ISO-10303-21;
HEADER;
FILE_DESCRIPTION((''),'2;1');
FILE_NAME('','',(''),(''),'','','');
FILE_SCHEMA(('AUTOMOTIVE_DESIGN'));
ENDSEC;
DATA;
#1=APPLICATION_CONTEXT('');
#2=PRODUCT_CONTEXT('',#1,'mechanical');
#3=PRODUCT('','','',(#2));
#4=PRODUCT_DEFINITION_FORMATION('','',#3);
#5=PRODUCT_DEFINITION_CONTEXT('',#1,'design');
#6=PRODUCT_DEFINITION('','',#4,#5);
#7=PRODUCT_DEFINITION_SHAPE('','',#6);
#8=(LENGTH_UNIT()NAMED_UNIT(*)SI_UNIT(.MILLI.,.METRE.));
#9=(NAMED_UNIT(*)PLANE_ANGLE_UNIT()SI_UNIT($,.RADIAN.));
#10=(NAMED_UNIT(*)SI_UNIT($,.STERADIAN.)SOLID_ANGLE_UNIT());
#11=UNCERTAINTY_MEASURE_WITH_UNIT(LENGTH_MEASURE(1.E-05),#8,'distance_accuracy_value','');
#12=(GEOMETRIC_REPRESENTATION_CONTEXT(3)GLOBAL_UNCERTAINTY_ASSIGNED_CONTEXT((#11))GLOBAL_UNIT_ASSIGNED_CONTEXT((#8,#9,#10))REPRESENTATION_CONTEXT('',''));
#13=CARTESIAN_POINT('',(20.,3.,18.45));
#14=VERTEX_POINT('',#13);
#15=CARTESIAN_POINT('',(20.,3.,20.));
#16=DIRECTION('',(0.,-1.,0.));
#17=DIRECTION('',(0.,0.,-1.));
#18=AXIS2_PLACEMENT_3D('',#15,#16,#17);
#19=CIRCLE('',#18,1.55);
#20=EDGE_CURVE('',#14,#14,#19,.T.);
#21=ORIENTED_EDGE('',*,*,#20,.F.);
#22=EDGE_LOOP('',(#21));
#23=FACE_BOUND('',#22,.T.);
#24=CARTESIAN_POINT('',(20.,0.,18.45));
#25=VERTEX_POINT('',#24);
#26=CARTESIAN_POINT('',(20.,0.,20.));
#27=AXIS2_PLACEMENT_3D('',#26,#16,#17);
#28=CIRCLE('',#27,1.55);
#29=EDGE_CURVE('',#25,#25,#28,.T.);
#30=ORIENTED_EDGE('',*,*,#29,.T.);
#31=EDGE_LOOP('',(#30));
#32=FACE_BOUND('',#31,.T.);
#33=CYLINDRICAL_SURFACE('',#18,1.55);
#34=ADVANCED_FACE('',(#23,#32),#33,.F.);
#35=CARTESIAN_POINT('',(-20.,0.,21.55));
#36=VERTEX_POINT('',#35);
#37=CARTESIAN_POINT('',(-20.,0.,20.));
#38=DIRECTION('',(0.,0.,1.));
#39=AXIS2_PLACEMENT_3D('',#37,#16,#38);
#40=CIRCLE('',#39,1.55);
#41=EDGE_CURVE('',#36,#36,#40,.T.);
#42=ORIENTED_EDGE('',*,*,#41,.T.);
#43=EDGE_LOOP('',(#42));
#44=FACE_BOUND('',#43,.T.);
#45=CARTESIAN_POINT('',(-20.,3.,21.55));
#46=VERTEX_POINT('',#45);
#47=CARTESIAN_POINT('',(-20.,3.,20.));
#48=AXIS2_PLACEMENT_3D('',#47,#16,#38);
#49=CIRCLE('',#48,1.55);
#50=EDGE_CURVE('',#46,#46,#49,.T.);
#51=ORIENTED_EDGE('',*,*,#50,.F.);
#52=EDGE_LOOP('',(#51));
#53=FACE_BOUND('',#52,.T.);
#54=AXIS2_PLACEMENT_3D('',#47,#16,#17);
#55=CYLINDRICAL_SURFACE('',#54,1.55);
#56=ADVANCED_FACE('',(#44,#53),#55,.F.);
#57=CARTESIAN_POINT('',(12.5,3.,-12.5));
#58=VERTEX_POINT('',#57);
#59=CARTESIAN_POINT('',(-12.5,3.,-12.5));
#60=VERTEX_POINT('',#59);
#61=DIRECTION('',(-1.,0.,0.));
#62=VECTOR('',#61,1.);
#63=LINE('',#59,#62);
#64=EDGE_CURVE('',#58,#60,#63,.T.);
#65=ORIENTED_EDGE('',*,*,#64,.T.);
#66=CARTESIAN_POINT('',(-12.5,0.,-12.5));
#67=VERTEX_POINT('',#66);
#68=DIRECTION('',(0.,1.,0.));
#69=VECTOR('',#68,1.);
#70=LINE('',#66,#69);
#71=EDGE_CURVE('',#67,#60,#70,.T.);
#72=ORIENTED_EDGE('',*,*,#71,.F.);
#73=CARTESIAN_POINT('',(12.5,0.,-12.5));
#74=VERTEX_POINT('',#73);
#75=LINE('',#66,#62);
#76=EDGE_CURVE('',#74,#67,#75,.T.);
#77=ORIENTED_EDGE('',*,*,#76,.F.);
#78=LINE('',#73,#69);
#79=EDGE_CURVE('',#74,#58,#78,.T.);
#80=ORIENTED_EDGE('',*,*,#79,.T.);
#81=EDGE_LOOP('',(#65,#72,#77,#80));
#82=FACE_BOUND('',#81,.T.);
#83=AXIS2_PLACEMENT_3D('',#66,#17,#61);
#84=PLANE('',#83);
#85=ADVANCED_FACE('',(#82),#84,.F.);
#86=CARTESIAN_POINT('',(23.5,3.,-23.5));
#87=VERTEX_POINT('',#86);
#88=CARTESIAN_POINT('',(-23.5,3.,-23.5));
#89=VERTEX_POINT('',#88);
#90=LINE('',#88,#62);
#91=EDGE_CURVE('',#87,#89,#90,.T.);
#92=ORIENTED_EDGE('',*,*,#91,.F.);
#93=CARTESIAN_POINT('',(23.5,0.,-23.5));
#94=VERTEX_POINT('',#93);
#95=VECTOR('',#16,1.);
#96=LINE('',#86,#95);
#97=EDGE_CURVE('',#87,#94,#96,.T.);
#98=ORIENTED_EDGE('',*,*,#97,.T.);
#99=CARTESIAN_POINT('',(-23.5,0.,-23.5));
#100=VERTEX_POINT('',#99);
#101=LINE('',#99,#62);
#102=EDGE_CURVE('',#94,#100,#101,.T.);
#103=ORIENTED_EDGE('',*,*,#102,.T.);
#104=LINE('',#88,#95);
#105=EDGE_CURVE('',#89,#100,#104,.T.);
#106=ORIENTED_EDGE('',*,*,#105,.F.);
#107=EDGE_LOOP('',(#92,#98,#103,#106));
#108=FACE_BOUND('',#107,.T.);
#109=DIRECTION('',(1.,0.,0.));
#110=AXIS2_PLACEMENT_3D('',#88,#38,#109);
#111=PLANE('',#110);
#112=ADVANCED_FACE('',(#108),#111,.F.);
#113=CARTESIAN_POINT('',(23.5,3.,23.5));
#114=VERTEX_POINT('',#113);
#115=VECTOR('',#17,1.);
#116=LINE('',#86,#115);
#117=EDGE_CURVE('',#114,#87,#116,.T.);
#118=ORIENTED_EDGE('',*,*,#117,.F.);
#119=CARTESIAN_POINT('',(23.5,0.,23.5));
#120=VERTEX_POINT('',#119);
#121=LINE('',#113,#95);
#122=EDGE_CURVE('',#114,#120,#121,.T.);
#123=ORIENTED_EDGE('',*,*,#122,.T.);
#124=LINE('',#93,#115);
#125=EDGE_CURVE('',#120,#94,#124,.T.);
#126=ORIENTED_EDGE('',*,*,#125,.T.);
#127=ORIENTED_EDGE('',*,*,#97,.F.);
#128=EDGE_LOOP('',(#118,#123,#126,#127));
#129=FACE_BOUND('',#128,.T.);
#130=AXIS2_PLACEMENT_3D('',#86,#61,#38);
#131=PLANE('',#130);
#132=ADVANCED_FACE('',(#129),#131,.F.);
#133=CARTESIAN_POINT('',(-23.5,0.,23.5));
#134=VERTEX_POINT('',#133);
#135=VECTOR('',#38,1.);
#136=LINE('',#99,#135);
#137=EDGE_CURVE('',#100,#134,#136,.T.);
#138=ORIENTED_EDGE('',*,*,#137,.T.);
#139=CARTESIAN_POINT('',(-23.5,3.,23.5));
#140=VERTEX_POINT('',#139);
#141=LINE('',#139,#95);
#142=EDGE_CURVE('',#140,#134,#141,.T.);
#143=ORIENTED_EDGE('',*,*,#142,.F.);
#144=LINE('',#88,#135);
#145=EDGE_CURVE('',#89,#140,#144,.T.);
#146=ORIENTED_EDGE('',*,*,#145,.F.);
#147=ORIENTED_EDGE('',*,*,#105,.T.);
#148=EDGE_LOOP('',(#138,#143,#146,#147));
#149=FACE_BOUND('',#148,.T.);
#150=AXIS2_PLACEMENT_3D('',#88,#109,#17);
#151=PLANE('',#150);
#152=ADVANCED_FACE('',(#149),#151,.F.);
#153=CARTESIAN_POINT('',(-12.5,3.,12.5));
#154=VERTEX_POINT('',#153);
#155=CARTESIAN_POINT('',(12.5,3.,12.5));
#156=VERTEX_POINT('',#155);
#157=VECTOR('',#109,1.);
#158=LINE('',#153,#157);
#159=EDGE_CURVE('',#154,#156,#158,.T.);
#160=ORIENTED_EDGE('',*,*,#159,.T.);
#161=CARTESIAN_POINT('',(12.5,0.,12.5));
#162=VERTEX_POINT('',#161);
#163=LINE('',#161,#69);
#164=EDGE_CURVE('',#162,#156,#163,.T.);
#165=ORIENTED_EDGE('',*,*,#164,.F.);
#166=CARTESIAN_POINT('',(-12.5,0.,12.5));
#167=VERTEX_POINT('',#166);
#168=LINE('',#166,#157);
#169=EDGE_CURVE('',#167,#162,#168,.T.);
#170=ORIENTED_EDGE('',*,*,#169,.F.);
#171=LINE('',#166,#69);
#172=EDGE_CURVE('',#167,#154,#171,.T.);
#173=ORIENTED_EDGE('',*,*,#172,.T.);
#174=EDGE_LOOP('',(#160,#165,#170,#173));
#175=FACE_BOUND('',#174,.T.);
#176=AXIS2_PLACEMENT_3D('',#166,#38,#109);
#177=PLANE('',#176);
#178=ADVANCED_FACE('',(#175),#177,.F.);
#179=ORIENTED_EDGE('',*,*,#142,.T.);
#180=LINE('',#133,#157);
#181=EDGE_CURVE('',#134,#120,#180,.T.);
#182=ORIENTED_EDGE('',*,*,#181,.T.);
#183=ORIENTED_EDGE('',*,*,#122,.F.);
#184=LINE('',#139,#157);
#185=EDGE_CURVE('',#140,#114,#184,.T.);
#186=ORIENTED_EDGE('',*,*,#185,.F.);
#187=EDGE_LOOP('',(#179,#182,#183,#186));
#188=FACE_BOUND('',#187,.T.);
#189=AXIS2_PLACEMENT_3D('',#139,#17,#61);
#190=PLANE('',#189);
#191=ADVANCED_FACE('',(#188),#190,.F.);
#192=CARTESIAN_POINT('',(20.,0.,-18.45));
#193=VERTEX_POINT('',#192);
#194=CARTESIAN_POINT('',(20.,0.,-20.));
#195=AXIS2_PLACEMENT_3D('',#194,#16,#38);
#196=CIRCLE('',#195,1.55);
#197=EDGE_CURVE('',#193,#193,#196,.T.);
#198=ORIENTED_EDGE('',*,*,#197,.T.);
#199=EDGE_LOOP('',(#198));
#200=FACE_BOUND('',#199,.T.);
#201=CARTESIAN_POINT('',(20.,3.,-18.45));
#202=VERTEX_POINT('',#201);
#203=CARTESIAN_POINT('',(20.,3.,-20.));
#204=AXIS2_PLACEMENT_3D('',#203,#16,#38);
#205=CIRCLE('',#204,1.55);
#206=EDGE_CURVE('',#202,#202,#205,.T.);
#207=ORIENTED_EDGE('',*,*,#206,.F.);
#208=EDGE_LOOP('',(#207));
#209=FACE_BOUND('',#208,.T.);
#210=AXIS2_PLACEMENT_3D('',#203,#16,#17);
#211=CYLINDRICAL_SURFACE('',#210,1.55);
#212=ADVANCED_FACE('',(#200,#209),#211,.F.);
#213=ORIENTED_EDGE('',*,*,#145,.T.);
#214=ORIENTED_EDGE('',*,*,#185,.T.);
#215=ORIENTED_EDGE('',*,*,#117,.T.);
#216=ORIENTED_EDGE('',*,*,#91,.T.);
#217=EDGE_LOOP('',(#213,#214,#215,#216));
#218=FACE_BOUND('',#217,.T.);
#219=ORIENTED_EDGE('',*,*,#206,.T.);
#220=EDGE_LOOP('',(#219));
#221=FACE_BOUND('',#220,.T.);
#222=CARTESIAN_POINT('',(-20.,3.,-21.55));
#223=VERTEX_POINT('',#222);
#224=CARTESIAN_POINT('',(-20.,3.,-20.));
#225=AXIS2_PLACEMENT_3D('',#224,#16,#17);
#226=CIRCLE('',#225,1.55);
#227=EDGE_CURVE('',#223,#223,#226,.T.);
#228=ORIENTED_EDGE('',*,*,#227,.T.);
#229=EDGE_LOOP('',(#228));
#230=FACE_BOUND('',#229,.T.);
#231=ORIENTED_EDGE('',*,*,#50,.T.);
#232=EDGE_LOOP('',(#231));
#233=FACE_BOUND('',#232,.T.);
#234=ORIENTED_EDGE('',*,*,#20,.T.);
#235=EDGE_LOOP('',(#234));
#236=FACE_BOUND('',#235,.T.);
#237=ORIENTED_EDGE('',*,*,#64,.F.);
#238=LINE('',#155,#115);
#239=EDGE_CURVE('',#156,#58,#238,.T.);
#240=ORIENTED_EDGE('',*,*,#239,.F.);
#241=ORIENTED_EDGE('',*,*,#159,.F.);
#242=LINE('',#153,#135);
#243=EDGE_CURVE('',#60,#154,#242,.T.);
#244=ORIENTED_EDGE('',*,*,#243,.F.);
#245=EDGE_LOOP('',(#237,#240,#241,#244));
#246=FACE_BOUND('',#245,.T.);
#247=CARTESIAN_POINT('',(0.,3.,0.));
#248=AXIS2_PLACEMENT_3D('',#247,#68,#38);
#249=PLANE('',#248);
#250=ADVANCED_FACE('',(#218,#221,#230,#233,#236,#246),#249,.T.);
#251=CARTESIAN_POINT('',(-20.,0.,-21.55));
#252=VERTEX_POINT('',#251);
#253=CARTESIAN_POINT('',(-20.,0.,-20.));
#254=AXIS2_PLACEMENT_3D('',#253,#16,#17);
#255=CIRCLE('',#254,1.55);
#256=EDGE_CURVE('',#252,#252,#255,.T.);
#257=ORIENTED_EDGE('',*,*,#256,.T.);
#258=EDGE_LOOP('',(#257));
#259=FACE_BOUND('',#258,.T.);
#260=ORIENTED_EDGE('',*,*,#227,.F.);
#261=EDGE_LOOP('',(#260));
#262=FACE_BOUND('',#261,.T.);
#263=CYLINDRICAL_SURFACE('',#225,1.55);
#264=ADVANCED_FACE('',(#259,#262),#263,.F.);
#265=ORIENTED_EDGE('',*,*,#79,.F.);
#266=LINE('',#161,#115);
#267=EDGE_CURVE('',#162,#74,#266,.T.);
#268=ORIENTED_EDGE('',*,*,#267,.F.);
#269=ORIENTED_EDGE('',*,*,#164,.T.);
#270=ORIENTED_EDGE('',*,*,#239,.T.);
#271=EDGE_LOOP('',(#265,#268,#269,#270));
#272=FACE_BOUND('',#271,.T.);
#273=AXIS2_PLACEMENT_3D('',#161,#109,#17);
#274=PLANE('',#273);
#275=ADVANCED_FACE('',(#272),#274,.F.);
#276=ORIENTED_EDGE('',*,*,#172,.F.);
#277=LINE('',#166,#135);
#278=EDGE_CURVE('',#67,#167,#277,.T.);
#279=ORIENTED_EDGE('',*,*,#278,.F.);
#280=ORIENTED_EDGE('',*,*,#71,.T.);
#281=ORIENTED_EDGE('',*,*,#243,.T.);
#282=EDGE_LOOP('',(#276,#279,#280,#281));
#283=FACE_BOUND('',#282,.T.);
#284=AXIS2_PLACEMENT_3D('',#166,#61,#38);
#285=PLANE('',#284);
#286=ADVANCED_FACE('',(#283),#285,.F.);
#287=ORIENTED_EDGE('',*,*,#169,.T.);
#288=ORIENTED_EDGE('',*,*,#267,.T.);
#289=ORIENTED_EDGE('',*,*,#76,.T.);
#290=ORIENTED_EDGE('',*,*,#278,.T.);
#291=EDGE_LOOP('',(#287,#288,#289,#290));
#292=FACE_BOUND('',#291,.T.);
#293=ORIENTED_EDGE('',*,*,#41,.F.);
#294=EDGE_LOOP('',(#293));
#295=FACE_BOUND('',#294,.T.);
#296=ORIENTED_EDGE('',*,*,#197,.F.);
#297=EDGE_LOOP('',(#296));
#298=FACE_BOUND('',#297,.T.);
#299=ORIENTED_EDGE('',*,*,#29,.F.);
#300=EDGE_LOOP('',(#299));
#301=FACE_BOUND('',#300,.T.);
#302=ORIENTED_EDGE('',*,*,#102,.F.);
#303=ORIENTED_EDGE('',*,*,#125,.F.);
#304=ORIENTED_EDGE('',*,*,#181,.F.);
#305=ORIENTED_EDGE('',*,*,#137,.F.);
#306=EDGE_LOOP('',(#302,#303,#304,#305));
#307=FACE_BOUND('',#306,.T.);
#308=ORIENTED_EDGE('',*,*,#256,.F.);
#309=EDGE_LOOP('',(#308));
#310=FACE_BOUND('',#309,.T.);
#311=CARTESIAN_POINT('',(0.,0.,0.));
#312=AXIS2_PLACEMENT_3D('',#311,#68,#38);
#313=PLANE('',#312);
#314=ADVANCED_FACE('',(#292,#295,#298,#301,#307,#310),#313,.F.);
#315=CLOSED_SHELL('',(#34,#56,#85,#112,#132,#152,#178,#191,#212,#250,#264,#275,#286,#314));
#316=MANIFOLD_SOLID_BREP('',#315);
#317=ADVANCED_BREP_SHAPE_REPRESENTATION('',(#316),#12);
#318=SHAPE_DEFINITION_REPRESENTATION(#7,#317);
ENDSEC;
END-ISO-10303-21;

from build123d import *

# Parameters (mm, degrees)
SKETCH_1_W          = 47
SKETCH_1_H          = 47
EXTRUDE_1_DEPTH     = 3
SKETCH_2_W          = 25
SKETCH_2_H          = 25
CUT_EXTRUDE_1_DEPTH = 3
SKETCH_3_R          = 1.55
CUT_EXTRUDE_2_DEPTH = 3


with BuildPart() as part:
    # 草图1 → 凸台-拉伸1 (new body)
    with BuildSketch(Plane(origin=(0, 0, 0), x_dir=(1, 0, 0), z_dir=(0, 1, 0))):
        Rectangle(SKETCH_1_W, SKETCH_1_H)
    extrude(amount=EXTRUDE_1_DEPTH)

    # 草图2 → 切除-拉伸1 (cut)
    with BuildSketch(Plane(origin=(0, 3, 0), x_dir=(1, 0, 0), z_dir=(0, 1, 0))):
        Rectangle(SKETCH_2_W, SKETCH_2_H)
    extrude(amount=-CUT_EXTRUDE_1_DEPTH, mode=Mode.SUBTRACT)

    # 草图3 → 切除-拉伸2 (cut)
    with BuildSketch(Plane.XZ):
        with Locations(Location((20, 20, 0), (0, 0, 270))):
            Circle(SKETCH_3_R)
        with Locations(Location((-20, 20, 0), (0, 0, 90))):
            Circle(SKETCH_3_R)
        with Locations(Location((20, -20, 0), (0, 0, 90))):
            Circle(SKETCH_3_R)
        with Locations(Location((-20, -20, 0), (0, 0, 270))):
            Circle(SKETCH_3_R)
    extrude(amount=-CUT_EXTRUDE_2_DEPTH, mode=Mode.SUBTRACT)


solid = part.part
